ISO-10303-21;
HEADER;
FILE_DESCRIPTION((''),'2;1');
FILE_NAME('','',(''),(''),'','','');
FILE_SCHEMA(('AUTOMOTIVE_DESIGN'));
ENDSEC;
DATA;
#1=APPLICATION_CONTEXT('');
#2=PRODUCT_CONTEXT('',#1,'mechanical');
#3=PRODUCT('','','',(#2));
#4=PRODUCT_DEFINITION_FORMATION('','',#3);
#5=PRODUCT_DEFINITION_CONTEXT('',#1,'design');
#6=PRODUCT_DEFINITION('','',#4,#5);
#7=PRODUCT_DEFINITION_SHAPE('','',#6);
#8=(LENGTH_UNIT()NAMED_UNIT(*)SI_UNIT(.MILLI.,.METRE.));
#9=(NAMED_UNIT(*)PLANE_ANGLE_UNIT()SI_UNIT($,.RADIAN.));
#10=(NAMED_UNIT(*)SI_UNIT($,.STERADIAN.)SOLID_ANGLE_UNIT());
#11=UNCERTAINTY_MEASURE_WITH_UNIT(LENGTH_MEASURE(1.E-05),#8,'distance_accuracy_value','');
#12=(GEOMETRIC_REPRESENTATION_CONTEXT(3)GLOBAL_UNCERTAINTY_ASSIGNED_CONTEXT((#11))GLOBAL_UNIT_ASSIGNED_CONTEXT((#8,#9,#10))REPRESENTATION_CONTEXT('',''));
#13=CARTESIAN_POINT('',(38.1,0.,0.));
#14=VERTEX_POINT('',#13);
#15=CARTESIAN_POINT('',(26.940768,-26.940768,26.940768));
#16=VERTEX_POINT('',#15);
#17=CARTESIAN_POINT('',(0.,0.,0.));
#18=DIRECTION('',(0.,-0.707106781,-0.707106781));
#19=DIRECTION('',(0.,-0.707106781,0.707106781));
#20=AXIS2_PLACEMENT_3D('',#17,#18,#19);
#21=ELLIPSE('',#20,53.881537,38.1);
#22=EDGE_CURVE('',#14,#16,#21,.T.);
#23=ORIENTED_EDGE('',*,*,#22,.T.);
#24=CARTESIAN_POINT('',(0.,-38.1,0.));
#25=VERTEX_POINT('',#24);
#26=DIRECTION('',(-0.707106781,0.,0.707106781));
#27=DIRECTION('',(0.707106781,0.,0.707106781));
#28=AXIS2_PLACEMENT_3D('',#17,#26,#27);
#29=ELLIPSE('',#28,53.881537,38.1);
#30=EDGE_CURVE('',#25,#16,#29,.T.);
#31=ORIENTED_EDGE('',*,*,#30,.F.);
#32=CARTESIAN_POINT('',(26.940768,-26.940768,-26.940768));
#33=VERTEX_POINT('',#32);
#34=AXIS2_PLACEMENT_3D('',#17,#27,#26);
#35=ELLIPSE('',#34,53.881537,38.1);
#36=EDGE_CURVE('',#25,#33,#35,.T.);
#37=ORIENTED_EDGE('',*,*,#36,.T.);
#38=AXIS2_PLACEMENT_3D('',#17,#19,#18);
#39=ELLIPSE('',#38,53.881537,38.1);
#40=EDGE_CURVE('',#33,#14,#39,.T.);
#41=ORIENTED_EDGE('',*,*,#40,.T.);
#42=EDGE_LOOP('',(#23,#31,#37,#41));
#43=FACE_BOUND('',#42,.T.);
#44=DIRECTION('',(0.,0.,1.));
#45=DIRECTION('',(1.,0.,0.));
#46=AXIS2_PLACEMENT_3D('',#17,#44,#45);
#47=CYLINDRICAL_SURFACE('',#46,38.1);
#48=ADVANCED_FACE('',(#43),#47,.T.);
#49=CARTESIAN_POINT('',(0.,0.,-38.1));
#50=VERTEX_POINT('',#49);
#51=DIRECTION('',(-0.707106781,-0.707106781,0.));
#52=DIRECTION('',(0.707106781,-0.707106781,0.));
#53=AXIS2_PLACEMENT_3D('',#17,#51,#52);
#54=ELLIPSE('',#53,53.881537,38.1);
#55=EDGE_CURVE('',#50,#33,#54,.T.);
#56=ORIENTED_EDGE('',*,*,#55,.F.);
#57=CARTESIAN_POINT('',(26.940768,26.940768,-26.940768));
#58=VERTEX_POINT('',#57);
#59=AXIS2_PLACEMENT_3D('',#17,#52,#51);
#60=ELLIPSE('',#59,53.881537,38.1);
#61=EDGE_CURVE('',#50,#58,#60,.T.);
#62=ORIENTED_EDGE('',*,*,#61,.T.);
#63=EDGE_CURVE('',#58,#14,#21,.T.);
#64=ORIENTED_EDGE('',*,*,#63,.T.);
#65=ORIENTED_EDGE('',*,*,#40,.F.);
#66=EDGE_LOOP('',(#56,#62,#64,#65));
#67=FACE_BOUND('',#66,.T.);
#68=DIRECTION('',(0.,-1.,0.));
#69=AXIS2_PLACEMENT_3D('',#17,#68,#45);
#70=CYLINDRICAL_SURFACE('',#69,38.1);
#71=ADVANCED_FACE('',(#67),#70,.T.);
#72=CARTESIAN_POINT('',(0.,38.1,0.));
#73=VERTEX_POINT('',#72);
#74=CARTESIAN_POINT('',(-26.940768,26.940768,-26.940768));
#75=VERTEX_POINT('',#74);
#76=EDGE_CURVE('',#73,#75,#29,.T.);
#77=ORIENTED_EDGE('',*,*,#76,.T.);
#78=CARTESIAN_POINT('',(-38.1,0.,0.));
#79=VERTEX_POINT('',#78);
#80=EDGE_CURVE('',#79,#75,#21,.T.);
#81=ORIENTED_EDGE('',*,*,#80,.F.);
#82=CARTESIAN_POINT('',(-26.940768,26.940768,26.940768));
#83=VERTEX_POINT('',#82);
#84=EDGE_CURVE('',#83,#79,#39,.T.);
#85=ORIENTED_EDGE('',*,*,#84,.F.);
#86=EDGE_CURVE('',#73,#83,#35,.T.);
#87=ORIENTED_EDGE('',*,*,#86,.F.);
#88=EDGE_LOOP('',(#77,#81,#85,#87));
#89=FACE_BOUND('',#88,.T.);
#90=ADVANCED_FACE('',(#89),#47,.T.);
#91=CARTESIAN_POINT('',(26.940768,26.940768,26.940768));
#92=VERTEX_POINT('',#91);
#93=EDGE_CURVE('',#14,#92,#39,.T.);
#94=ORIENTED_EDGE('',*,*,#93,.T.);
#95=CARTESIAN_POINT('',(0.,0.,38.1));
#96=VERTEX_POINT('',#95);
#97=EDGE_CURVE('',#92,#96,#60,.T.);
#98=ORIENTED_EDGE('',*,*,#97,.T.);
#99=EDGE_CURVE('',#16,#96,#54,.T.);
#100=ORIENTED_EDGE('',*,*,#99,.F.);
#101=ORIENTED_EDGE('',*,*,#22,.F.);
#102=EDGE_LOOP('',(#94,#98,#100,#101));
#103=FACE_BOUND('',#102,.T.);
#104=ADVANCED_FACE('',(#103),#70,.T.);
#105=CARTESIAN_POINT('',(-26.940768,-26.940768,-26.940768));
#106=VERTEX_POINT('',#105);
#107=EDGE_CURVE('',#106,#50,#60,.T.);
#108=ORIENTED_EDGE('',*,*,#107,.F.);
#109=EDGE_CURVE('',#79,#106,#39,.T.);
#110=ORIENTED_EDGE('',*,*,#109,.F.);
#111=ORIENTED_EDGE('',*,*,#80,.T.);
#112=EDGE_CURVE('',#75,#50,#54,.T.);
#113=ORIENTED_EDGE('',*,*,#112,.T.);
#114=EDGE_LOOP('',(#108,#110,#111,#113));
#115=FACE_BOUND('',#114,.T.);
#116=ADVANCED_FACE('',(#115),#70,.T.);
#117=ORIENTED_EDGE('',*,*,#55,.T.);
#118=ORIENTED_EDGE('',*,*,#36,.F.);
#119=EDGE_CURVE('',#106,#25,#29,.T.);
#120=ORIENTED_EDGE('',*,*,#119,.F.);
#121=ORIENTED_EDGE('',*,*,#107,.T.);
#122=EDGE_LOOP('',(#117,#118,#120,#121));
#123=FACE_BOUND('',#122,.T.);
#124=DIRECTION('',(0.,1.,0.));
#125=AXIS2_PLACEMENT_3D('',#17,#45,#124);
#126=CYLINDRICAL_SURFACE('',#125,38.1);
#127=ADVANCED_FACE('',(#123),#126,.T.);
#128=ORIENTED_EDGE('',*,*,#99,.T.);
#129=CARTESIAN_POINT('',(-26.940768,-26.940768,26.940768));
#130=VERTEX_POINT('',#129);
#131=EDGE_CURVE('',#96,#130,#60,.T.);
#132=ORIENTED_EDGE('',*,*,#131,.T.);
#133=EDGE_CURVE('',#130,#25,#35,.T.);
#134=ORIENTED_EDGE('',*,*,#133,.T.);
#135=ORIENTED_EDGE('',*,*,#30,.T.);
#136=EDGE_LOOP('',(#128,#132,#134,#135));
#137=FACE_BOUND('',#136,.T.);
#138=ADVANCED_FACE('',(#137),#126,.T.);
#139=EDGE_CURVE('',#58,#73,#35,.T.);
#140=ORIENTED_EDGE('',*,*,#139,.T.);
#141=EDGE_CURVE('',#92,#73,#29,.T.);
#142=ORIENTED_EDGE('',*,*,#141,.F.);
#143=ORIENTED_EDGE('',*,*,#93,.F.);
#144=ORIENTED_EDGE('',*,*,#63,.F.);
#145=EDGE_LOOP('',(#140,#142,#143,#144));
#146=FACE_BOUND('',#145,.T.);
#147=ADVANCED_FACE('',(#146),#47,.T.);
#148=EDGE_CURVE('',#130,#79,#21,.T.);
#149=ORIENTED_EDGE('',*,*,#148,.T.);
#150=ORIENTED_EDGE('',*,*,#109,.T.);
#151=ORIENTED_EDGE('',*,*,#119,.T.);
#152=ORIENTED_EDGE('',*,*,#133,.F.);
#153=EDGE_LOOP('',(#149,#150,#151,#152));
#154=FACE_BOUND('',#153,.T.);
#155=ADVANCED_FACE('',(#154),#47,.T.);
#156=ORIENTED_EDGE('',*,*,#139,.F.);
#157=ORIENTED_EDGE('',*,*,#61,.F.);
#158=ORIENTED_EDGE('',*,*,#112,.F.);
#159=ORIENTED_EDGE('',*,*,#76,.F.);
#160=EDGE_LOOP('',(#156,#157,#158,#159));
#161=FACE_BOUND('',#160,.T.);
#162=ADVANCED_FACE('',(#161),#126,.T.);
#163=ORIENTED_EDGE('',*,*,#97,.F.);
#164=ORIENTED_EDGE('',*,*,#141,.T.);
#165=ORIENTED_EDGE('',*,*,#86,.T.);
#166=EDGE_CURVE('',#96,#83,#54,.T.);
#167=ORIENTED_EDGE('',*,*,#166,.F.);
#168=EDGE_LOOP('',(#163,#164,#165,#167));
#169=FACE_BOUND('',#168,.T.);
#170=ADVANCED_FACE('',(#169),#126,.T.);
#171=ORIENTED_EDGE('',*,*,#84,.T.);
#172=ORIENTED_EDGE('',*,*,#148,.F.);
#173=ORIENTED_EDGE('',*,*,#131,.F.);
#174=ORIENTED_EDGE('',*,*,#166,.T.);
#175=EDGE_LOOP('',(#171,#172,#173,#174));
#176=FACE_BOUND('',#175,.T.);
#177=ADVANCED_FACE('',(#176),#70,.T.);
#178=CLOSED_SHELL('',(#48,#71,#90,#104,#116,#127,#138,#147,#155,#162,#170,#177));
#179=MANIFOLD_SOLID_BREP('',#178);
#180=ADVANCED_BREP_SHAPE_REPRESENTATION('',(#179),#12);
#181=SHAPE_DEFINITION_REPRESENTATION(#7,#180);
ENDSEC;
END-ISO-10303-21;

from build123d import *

# Parameters (mm, degrees)
F0_R     = 38.1
F1_DEPTH = 38.1
F2_R     = 38.1
F3_DEPTH = 44.704
F4_R     = 38.1
F5_DEPTH = 63.246


with BuildPart() as f1:
    # F0 (on Front) → F1 (new body, symmetric)
    with BuildSketch(Plane.XZ):
        Circle(F0_R)
    extrude(amount=F1_DEPTH, both=True)

    # F2 (on Top) → F3 (intersect, symmetric)
    with BuildSketch(Plane.XY):
        Circle(F2_R)
    extrude(amount=F3_DEPTH, both=True, mode=Mode.INTERSECT)

    # F4 (on Right) → F5 (intersect, symmetric)
    with BuildSketch(Plane.YZ):
        Circle(F4_R)
    extrude(amount=F5_DEPTH, both=True, mode=Mode.INTERSECT)


solid = f1.part
